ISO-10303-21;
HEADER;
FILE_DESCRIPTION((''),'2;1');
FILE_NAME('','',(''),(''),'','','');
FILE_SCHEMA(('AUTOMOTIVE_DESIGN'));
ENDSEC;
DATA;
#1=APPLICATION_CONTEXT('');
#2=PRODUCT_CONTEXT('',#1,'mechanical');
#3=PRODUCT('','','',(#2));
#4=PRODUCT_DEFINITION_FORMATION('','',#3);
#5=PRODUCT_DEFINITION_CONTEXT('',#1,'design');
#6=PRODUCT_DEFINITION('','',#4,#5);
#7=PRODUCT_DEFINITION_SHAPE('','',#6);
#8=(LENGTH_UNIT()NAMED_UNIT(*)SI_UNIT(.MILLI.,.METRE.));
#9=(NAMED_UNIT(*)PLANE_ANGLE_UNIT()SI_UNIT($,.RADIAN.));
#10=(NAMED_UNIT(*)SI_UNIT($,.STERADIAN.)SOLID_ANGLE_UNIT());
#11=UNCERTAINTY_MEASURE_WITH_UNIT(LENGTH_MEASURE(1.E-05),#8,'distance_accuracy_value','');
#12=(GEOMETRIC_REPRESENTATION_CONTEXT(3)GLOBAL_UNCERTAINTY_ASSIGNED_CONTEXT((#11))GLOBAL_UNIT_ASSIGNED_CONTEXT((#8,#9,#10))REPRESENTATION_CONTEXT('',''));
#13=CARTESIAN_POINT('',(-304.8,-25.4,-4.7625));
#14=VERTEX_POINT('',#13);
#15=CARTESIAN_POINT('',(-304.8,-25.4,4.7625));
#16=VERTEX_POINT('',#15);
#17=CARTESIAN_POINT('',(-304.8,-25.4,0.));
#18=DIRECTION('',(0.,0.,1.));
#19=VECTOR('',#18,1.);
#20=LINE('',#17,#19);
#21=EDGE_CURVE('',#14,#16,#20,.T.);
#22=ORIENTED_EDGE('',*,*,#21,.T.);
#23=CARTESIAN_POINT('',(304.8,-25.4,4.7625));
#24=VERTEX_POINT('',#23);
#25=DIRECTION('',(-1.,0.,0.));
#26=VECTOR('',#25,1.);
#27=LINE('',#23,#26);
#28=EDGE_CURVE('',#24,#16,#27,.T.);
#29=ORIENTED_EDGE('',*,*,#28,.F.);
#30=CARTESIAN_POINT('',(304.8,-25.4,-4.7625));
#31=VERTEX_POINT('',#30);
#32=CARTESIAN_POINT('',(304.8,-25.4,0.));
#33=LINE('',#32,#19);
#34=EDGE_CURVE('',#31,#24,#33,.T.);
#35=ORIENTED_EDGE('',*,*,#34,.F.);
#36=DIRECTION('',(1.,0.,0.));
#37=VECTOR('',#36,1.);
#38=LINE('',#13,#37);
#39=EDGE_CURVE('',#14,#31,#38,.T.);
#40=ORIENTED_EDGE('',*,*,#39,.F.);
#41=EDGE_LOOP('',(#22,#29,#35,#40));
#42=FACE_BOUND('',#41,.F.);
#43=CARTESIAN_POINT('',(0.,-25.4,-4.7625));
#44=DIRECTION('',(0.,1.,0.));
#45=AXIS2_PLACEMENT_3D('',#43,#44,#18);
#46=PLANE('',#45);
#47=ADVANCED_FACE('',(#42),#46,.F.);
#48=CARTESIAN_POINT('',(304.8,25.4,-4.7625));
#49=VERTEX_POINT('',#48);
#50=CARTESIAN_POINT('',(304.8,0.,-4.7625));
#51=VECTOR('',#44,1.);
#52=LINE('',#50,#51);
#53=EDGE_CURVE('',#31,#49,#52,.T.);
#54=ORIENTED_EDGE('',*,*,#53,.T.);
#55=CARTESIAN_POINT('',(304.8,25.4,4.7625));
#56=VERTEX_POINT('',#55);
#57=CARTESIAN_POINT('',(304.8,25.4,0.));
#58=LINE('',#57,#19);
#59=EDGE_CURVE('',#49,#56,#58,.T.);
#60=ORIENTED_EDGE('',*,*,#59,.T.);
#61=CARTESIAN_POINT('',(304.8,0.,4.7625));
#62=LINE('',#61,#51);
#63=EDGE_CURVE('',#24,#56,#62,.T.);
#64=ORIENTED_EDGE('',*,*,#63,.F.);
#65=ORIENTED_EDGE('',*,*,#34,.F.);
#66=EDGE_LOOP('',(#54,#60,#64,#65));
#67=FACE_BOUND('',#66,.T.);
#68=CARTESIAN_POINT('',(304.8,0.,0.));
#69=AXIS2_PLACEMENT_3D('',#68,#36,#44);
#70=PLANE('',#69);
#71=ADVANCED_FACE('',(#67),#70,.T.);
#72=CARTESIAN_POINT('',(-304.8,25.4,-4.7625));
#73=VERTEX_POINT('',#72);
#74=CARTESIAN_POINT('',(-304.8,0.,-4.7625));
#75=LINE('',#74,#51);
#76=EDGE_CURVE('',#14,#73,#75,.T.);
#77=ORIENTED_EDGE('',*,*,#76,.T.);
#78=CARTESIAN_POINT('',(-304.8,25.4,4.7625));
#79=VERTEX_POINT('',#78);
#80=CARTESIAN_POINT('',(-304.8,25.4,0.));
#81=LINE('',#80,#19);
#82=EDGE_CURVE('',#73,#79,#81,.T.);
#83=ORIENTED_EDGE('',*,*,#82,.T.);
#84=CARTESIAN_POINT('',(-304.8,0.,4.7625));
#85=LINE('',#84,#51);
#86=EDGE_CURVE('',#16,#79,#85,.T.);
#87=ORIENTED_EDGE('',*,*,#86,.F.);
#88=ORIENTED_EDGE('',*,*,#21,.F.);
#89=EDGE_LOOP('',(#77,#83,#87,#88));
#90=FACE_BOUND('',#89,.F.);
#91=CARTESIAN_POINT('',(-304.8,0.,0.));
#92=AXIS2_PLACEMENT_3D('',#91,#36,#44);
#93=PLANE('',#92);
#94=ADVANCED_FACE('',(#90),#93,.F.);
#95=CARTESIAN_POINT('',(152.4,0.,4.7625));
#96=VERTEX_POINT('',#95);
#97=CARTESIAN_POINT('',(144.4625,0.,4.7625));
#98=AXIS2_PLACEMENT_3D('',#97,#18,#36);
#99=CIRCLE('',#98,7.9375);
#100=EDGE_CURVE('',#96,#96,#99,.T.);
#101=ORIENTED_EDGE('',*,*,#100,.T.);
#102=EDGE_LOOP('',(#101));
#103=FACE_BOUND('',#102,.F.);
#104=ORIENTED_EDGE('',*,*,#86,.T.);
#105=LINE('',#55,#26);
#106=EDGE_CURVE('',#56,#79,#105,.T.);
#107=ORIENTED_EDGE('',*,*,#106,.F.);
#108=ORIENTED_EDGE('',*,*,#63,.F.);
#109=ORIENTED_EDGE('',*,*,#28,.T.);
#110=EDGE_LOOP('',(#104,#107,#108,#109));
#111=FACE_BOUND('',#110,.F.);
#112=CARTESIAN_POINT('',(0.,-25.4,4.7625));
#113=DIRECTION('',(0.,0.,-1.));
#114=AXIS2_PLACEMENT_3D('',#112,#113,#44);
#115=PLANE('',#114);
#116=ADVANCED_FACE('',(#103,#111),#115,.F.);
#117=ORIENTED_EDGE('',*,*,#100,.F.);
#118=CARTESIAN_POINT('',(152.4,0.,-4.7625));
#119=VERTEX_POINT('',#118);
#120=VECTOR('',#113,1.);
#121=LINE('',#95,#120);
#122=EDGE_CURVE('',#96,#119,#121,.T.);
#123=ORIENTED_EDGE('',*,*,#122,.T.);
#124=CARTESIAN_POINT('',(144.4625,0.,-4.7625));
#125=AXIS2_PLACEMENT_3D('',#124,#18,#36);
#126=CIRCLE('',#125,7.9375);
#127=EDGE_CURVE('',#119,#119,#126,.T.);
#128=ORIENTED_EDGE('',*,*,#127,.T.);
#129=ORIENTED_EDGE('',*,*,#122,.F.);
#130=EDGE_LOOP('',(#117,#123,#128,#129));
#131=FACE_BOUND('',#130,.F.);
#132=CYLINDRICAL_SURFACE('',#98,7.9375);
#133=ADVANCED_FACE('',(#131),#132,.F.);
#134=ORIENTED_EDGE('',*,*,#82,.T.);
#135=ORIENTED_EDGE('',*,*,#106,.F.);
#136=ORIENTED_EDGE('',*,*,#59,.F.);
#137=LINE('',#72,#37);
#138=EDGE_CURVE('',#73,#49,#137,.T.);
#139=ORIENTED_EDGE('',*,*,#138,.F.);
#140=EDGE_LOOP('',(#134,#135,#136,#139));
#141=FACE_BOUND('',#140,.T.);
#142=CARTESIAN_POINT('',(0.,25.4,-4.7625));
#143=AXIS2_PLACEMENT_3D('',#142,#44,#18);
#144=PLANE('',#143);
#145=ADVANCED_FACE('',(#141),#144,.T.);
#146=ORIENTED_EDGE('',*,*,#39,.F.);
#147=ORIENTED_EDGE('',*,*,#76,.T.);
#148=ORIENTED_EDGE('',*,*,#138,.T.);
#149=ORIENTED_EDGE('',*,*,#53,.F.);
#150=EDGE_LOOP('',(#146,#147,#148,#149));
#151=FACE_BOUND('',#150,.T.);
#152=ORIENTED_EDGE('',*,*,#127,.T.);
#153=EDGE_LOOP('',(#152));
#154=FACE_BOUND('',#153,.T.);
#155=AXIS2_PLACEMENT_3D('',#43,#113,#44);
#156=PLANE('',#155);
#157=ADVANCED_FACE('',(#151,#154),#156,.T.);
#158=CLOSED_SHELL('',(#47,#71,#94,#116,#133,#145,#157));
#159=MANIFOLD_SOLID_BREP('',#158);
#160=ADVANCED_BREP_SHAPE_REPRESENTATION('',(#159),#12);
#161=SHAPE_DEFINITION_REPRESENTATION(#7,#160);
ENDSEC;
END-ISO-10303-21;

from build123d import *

# Parameters (mm, degrees)
F0_W     = 50.8
F0_H     = 9.525
F1_DEPTH = 304.8
F2_R     = 7.9375
F3_DEPTH = 9.526


with BuildPart() as f1:
    # F0 (on Right) → F1 (new body, symmetric)
    with BuildSketch(Plane.YZ):
        Rectangle(F0_W, F0_H)
    extrude(amount=F1_DEPTH, both=True)

    # F2 (on face) → F3 (cut, through all)
    with BuildSketch(Plane.XY.offset(4.7625)):
        with Locations((144.4625, 0)):
            Circle(F2_R)
    extrude(amount=-F3_DEPTH, mode=Mode.SUBTRACT)


solid = f1.part
